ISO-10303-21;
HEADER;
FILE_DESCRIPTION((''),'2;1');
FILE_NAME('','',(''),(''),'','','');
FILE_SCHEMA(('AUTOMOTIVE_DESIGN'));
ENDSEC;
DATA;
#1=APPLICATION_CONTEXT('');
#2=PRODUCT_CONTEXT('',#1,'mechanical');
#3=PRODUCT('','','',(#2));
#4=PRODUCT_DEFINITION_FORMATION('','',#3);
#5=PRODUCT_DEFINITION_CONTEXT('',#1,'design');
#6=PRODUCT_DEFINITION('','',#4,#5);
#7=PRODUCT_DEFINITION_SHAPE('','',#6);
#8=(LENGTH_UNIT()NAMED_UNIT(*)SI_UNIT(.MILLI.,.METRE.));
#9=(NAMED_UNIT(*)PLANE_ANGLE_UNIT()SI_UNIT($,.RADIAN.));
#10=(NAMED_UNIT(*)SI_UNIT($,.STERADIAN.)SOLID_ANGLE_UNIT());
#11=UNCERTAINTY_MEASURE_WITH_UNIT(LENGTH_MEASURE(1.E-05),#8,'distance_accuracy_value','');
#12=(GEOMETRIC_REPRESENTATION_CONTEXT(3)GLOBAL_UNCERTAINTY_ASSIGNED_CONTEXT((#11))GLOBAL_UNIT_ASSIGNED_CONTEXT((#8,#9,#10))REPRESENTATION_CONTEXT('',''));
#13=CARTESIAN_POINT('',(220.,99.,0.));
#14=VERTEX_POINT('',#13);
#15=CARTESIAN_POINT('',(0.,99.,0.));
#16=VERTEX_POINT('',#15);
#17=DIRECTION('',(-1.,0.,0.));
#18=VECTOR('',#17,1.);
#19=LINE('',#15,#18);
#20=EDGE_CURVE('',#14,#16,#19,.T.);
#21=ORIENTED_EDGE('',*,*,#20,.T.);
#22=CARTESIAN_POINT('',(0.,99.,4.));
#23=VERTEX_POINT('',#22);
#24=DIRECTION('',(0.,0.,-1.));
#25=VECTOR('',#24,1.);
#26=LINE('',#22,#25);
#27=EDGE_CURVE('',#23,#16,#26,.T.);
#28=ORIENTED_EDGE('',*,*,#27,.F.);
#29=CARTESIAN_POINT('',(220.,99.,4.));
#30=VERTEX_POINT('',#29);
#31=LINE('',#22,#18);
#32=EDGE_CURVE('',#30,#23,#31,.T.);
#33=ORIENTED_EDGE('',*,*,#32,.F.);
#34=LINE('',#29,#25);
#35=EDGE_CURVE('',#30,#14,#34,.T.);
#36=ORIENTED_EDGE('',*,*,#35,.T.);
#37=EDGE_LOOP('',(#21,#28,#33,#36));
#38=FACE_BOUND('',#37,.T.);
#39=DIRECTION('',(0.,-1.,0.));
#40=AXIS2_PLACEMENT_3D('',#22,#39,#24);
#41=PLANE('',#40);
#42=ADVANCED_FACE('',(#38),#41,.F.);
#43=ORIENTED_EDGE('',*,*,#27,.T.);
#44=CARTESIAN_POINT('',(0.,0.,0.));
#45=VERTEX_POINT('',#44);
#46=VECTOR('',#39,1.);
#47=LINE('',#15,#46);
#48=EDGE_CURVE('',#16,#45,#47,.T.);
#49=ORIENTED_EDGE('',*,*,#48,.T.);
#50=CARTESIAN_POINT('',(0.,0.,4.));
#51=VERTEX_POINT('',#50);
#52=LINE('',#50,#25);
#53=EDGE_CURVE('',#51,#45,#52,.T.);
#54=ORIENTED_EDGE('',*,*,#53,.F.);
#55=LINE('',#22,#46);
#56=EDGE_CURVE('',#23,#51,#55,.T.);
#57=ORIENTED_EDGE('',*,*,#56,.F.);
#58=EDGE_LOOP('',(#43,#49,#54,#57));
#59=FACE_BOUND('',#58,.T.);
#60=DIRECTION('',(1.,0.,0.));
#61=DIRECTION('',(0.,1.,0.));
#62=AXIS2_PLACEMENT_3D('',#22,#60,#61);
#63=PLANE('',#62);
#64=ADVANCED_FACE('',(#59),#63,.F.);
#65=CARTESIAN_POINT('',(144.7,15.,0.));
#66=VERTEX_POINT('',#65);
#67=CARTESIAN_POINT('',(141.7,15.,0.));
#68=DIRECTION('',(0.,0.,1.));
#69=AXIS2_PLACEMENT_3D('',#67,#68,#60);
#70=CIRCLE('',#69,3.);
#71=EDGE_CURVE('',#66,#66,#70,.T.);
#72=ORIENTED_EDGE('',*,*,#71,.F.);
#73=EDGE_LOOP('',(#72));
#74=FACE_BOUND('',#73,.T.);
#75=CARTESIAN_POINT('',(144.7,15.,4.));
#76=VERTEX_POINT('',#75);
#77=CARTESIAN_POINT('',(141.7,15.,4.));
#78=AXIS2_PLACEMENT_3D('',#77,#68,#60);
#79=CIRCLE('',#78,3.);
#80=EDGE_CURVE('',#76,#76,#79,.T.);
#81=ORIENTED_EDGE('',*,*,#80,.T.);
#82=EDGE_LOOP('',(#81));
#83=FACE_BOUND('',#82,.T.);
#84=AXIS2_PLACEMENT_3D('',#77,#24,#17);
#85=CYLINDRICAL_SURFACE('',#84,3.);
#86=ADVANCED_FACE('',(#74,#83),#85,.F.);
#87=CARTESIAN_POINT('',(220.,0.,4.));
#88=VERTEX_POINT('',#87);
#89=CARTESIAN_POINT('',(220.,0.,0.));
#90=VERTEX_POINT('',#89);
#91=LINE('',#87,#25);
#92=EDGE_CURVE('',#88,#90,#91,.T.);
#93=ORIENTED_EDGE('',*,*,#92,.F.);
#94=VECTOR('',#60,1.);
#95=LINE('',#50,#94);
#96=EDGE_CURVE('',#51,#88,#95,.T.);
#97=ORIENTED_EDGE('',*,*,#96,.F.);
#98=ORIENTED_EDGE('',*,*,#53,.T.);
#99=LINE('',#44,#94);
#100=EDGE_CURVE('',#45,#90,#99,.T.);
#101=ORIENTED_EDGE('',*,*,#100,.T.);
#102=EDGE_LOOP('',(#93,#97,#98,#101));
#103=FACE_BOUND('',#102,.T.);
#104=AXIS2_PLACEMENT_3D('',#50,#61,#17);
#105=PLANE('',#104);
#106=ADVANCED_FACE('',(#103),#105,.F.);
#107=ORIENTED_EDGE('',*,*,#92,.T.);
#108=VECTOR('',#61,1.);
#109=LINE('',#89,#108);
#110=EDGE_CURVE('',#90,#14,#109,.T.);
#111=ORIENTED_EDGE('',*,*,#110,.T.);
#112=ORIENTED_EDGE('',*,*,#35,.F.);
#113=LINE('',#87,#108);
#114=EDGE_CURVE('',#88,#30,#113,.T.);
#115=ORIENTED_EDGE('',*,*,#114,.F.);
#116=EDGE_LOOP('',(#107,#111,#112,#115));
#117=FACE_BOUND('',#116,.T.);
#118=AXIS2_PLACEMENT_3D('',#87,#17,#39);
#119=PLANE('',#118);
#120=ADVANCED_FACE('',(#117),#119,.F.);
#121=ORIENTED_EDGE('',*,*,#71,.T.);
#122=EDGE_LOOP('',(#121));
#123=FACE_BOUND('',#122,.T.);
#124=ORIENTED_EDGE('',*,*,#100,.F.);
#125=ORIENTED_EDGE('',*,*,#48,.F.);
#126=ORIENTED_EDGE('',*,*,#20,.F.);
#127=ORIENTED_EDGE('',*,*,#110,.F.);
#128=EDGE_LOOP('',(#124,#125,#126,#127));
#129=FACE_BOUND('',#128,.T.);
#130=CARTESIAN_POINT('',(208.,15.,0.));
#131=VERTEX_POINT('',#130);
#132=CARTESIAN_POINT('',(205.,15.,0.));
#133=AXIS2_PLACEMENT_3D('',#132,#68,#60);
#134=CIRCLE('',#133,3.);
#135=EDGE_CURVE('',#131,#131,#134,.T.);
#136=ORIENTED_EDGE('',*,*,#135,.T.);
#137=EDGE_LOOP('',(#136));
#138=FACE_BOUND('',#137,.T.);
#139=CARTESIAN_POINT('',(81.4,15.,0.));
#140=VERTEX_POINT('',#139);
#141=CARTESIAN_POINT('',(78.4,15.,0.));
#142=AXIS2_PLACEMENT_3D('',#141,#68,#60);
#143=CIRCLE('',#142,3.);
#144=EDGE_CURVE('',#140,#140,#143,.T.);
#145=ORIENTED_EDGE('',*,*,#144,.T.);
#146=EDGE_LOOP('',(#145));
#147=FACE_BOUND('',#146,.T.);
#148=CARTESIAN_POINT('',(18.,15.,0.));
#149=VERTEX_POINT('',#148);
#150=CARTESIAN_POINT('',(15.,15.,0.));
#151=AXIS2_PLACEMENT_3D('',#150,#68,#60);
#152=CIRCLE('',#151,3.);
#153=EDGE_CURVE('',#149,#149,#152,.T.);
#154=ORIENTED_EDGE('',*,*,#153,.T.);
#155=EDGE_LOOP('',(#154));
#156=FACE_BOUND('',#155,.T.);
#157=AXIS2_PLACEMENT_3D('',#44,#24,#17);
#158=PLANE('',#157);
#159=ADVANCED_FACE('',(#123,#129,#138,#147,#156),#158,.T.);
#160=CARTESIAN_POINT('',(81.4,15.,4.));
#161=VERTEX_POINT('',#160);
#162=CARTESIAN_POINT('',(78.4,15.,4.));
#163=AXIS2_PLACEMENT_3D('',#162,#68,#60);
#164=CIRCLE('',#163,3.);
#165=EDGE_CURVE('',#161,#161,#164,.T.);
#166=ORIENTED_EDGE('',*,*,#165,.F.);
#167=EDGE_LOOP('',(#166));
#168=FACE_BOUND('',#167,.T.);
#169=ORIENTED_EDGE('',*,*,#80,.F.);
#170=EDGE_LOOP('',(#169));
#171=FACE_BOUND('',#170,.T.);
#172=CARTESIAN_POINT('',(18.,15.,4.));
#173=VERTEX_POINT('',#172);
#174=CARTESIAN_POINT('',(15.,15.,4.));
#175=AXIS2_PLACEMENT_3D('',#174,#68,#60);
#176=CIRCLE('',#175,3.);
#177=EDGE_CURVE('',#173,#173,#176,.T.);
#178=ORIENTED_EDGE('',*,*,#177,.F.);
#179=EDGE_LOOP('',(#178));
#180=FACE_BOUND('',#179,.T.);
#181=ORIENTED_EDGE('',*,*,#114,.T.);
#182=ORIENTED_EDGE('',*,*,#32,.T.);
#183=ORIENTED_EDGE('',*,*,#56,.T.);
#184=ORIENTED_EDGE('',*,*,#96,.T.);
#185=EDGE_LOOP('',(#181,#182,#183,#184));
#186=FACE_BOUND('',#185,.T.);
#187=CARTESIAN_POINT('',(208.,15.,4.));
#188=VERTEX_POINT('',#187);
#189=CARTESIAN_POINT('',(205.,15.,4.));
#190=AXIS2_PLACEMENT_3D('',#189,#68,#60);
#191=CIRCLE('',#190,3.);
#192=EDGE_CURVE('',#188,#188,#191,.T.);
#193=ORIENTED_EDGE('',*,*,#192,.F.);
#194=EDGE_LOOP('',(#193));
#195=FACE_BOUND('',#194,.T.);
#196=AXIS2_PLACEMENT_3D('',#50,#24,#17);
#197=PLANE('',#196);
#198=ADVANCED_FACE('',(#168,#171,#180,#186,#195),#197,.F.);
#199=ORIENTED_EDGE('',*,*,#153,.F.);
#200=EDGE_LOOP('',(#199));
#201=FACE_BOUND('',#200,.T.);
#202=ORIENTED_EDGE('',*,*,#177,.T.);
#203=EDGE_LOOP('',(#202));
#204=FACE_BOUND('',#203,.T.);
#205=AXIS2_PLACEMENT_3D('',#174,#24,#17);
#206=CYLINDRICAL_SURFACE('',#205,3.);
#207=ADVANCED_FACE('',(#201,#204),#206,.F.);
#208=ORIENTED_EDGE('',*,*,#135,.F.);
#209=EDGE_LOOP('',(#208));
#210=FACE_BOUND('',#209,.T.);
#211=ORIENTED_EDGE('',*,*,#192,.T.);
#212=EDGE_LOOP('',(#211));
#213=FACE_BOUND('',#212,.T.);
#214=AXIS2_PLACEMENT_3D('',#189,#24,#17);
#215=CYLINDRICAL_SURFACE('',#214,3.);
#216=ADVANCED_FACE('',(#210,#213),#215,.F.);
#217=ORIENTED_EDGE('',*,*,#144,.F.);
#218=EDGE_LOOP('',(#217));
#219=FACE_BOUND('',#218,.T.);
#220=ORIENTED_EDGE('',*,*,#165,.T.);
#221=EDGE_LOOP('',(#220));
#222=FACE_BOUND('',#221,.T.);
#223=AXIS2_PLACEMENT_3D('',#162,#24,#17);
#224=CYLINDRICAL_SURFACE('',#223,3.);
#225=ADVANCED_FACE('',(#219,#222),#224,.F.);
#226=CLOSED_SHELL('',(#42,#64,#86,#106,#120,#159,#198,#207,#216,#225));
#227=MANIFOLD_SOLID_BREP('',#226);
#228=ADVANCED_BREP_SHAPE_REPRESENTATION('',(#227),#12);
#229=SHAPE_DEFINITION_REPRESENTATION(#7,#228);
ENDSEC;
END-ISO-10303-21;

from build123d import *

# Parameters (mm, degrees)
SKICA1_W                = 220
SKICA1_H                = 99
SKICA1_R                = 3
P_IDAT_VYSUNUT_M1_DEPTH = 4


with BuildPart() as part:
    # Skica1 → Přidat vysunutím1 (new body)
    with BuildSketch(Plane.XY):
        with Locations((110, 49.5)):
            Rectangle(SKICA1_W, SKICA1_H)
        with Locations((205, 15)):
            Circle(SKICA1_R, mode=Mode.SUBTRACT)
        with Locations((15, 15)):
            Circle(SKICA1_R, mode=Mode.SUBTRACT)
        with Locations((141.7, 15)):
            Circle(SKICA1_R, mode=Mode.SUBTRACT)
        with Locations((78.4, 15)):
            Circle(SKICA1_R, mode=Mode.SUBTRACT)
    extrude(amount=P_IDAT_VYSUNUT_M1_DEPTH)


solid = part.part
